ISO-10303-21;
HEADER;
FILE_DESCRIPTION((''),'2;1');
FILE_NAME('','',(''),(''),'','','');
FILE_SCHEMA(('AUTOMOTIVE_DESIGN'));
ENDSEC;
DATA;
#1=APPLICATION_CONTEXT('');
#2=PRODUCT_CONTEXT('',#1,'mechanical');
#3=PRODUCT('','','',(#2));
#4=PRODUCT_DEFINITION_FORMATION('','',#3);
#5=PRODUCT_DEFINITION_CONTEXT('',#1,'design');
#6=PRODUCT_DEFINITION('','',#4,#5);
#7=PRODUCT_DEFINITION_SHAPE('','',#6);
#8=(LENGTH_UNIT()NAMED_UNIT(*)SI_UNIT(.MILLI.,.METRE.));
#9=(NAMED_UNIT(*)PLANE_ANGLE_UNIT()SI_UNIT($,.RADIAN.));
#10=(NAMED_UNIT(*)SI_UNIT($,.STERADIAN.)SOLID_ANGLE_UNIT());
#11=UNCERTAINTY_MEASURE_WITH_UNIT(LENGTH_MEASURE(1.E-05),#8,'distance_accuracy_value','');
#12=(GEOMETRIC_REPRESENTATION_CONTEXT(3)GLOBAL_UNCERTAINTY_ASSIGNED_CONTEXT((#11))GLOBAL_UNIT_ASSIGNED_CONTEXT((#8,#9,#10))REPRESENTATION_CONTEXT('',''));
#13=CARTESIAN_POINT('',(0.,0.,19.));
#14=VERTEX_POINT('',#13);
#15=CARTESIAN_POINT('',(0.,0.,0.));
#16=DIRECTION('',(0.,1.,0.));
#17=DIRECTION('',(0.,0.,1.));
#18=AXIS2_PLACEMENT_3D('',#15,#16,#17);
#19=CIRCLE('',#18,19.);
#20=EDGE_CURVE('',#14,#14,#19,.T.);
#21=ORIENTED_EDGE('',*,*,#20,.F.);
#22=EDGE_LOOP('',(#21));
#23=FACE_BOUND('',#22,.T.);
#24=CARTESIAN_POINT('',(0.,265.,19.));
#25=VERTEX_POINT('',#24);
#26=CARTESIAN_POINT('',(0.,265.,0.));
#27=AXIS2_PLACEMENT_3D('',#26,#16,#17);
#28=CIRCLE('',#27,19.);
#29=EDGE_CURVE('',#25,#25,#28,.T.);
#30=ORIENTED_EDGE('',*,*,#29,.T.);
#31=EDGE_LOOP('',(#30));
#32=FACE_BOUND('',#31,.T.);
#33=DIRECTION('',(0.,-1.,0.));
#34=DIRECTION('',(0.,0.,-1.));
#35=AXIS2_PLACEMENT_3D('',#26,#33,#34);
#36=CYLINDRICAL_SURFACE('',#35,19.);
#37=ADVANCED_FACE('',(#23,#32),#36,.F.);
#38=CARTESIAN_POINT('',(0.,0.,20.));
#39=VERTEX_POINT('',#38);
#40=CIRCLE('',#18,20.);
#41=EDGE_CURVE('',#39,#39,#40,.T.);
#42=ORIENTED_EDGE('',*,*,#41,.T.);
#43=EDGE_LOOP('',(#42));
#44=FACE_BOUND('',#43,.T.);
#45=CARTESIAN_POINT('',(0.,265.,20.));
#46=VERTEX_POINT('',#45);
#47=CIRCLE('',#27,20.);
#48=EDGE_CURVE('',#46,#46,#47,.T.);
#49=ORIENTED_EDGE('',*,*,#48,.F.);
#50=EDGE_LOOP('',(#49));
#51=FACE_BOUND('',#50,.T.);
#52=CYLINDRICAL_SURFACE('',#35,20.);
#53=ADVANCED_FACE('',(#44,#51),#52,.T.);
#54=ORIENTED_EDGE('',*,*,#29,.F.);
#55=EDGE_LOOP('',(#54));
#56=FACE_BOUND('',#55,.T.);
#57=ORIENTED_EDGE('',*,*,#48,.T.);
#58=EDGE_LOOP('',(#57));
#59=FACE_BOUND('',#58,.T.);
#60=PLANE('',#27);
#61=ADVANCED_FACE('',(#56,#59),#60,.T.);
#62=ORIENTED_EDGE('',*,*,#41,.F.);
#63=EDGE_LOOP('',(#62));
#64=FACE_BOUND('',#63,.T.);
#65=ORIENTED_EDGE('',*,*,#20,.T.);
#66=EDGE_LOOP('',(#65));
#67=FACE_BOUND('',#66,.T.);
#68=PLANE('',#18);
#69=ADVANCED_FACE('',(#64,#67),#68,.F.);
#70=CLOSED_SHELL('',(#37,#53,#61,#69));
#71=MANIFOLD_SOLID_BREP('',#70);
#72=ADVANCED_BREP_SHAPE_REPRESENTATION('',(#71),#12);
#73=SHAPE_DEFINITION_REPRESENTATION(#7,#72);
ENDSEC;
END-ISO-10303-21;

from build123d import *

# Parameters (mm, degrees)
ESQUISSE1_R        = 20
ESQUISSE1_R_2      = 19
BOSS_EXTRU_1_DEPTH = 265


with BuildPart() as part:
    # Esquisse1 → Boss.-Extru.1 (new body)
    with BuildSketch(Plane(origin=(0, 0, 0), x_dir=(1, 0, 0), z_dir=(0, 1, 0))):
        with Locations(Location((0, 0, 0), (0, 0, 270))):  # turned: the seam where the file's is
            Circle(ESQUISSE1_R)
        with Locations(Location((0, 0, 0), (0, 0, 270))):  # turned: the seam where the file's is
            Circle(ESQUISSE1_R_2, mode=Mode.SUBTRACT)
    extrude(amount=BOSS_EXTRU_1_DEPTH)


solid = part.part
